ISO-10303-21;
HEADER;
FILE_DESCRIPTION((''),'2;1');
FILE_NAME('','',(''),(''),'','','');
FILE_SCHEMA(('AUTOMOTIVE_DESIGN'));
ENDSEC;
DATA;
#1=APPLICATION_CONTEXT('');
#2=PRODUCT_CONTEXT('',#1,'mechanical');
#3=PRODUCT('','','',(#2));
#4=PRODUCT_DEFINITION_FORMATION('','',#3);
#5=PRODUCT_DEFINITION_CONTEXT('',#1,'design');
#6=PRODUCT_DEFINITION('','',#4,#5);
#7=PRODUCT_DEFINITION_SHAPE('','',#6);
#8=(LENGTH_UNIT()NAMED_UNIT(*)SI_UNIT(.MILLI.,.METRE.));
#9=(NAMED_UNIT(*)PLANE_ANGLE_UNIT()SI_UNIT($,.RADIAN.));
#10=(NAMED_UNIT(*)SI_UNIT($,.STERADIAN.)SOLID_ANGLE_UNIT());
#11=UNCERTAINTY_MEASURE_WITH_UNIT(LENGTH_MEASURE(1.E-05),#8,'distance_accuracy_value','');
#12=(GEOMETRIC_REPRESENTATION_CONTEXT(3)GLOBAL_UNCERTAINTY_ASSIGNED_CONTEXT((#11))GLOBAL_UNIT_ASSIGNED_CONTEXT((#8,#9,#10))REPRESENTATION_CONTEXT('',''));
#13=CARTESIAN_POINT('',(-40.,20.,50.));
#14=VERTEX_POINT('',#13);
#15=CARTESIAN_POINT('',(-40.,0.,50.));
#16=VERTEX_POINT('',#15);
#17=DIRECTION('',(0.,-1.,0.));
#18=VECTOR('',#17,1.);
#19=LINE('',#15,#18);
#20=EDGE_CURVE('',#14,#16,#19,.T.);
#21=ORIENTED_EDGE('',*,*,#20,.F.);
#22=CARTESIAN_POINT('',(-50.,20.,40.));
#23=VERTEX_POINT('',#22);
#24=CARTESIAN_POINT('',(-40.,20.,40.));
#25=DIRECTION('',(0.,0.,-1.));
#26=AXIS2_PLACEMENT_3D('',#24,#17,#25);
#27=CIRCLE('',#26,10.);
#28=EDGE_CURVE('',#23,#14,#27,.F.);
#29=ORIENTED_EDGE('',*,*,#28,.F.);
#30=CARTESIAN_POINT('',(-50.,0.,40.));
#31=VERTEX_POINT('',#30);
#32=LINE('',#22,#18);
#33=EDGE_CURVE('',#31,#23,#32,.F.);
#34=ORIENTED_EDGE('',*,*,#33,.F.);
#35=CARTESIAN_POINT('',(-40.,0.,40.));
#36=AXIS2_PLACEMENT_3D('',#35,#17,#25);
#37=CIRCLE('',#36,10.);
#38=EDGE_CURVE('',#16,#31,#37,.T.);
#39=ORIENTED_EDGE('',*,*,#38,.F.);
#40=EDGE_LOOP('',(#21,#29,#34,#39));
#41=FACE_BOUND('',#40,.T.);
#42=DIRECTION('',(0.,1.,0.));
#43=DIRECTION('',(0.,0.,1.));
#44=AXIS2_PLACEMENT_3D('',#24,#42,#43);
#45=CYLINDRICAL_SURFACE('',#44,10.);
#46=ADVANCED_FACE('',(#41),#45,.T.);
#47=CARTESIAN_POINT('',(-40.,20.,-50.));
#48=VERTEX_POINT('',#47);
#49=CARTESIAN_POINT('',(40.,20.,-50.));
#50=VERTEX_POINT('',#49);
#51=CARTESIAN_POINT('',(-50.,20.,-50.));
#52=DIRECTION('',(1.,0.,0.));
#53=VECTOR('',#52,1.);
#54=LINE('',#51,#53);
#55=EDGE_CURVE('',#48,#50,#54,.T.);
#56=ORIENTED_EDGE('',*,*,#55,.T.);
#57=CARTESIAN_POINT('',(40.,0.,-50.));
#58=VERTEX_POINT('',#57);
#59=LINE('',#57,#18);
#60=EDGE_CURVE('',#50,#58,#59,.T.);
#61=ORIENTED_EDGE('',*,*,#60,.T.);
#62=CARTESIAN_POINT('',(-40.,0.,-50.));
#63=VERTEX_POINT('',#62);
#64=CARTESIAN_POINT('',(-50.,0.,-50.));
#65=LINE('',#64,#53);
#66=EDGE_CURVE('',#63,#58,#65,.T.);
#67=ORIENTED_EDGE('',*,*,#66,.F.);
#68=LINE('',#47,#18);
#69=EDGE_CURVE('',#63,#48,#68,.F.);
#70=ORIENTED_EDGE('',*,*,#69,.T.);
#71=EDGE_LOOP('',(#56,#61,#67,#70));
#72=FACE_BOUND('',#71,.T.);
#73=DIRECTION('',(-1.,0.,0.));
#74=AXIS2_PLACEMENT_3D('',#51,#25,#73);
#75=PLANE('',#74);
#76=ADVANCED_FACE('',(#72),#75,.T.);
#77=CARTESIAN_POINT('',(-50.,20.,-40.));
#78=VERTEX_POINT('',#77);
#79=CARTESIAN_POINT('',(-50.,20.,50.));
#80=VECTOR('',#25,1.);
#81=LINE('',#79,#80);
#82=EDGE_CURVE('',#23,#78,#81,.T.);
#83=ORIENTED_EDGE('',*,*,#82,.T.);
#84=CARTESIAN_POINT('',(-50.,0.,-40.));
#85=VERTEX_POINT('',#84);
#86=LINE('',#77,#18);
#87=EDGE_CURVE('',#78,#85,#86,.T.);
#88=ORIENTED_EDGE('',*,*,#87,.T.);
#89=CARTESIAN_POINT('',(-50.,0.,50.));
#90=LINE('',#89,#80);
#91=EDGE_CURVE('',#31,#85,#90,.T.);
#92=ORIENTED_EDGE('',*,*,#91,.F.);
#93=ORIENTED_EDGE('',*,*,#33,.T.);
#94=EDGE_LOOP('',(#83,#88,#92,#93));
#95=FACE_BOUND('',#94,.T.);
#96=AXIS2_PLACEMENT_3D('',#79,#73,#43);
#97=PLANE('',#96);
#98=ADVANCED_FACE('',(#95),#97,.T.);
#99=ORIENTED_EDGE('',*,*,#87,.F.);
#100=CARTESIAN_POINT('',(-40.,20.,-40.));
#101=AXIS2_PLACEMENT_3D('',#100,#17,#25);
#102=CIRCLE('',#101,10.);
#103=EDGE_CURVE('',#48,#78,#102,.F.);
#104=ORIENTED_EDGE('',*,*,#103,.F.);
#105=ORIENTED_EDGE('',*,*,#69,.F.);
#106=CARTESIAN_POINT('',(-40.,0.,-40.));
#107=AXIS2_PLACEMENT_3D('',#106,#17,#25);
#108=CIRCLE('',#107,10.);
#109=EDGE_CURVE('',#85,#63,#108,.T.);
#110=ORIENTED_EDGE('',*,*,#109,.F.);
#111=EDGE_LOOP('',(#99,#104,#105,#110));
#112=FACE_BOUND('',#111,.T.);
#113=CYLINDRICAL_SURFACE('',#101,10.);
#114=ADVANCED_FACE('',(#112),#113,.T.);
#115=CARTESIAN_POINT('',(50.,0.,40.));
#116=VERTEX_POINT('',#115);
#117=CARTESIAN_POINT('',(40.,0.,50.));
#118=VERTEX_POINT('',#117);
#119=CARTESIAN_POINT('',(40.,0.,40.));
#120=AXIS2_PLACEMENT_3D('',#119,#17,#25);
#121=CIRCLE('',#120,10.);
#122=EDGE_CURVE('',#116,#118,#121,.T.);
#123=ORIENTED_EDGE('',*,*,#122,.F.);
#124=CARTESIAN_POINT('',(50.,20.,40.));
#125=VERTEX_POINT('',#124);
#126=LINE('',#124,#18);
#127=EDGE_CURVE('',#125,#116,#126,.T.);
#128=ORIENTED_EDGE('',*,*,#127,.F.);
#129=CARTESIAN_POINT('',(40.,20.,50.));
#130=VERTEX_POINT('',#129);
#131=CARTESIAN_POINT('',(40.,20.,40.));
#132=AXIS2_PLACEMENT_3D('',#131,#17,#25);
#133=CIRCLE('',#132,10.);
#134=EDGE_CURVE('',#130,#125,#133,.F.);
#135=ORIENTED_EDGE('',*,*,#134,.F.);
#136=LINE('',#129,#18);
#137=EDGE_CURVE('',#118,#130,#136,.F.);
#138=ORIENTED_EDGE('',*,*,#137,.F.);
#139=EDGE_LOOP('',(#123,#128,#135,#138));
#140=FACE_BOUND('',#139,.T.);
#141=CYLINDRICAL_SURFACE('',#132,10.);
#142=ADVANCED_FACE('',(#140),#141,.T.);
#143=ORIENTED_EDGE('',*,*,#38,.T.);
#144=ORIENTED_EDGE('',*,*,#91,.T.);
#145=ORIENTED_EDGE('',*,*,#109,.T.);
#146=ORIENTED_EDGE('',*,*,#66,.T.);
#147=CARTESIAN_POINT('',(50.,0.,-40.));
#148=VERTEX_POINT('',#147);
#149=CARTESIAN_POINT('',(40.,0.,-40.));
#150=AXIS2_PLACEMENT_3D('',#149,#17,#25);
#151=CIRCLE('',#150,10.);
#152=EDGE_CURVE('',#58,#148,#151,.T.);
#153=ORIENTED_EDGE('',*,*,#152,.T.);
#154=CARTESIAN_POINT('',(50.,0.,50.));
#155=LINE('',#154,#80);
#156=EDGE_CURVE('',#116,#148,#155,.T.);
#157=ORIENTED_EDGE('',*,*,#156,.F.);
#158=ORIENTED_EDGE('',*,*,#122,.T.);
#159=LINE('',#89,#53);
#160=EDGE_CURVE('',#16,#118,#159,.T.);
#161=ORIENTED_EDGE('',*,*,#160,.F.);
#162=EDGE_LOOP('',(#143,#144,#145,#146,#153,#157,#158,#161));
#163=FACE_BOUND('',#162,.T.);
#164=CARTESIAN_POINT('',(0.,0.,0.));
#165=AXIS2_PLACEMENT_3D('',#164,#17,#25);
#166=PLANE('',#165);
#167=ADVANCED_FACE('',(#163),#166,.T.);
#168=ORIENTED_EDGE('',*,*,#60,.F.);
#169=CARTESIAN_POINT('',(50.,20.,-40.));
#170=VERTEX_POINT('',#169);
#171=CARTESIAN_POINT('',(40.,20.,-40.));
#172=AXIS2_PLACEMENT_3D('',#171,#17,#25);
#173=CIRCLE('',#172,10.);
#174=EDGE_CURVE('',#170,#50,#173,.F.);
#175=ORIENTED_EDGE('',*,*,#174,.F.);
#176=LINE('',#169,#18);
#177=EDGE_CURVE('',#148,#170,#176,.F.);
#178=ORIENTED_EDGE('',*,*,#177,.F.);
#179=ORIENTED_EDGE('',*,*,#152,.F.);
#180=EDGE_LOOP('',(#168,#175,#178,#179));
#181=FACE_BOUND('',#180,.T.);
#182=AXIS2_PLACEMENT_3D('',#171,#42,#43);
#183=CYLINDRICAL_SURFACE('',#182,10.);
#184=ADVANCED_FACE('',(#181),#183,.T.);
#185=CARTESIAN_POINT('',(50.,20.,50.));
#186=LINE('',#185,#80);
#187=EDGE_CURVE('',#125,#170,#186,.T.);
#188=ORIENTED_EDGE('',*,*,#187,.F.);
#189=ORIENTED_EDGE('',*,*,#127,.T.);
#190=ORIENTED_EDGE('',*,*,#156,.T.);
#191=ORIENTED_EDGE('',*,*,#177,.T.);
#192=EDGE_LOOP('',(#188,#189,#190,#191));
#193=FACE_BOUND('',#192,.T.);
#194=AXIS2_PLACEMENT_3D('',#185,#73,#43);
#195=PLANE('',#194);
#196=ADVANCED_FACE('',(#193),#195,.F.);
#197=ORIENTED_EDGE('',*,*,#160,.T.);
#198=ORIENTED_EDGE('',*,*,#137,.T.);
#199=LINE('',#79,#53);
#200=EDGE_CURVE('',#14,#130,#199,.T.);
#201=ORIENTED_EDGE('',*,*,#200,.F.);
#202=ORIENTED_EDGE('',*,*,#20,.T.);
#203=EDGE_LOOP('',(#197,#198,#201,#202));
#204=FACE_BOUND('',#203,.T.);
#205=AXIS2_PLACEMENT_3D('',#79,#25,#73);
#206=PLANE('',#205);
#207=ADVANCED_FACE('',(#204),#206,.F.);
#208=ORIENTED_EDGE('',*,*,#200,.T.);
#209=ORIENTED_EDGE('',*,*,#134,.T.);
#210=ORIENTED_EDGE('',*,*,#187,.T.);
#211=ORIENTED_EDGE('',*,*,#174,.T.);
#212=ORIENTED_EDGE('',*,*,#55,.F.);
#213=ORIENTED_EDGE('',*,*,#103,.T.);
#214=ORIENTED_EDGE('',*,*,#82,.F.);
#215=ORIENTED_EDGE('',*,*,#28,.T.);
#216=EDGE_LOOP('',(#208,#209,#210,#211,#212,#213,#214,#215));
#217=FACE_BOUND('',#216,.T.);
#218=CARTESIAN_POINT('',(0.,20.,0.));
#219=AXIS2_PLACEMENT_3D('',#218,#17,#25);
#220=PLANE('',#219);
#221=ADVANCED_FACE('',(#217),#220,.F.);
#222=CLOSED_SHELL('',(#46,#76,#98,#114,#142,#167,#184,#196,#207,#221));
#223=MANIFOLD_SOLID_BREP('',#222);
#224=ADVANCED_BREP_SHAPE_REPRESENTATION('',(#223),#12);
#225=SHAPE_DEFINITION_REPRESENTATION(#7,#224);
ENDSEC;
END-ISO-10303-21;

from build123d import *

# Parameters (mm, degrees)
SKETCH1_W           = 100
SKETCH1_H           = 100
BOSS_EXTRUDE1_DEPTH = 20
FILLET1_R           = 10


with BuildPart() as part:
    # Sketch1 → Boss-Extrude1 (new body)
    with BuildSketch(Plane(origin=(0, 0, 0), x_dir=(1, 0, 0), z_dir=(0, 1, 0))):
        Rectangle(SKETCH1_W, SKETCH1_H)
    extrude(amount=BOSS_EXTRUDE1_DEPTH)

    # Fillet1
    fillet1_edges = [part.edges().sort_by_distance(p)[0] for p in [
        (-50, 10, 50),
        (50, 10, 50),
        (50, 10, -50),
        (-50, 10, -50),
    ]]
    fillet(fillet1_edges, radius=FILLET1_R)


solid = part.part
